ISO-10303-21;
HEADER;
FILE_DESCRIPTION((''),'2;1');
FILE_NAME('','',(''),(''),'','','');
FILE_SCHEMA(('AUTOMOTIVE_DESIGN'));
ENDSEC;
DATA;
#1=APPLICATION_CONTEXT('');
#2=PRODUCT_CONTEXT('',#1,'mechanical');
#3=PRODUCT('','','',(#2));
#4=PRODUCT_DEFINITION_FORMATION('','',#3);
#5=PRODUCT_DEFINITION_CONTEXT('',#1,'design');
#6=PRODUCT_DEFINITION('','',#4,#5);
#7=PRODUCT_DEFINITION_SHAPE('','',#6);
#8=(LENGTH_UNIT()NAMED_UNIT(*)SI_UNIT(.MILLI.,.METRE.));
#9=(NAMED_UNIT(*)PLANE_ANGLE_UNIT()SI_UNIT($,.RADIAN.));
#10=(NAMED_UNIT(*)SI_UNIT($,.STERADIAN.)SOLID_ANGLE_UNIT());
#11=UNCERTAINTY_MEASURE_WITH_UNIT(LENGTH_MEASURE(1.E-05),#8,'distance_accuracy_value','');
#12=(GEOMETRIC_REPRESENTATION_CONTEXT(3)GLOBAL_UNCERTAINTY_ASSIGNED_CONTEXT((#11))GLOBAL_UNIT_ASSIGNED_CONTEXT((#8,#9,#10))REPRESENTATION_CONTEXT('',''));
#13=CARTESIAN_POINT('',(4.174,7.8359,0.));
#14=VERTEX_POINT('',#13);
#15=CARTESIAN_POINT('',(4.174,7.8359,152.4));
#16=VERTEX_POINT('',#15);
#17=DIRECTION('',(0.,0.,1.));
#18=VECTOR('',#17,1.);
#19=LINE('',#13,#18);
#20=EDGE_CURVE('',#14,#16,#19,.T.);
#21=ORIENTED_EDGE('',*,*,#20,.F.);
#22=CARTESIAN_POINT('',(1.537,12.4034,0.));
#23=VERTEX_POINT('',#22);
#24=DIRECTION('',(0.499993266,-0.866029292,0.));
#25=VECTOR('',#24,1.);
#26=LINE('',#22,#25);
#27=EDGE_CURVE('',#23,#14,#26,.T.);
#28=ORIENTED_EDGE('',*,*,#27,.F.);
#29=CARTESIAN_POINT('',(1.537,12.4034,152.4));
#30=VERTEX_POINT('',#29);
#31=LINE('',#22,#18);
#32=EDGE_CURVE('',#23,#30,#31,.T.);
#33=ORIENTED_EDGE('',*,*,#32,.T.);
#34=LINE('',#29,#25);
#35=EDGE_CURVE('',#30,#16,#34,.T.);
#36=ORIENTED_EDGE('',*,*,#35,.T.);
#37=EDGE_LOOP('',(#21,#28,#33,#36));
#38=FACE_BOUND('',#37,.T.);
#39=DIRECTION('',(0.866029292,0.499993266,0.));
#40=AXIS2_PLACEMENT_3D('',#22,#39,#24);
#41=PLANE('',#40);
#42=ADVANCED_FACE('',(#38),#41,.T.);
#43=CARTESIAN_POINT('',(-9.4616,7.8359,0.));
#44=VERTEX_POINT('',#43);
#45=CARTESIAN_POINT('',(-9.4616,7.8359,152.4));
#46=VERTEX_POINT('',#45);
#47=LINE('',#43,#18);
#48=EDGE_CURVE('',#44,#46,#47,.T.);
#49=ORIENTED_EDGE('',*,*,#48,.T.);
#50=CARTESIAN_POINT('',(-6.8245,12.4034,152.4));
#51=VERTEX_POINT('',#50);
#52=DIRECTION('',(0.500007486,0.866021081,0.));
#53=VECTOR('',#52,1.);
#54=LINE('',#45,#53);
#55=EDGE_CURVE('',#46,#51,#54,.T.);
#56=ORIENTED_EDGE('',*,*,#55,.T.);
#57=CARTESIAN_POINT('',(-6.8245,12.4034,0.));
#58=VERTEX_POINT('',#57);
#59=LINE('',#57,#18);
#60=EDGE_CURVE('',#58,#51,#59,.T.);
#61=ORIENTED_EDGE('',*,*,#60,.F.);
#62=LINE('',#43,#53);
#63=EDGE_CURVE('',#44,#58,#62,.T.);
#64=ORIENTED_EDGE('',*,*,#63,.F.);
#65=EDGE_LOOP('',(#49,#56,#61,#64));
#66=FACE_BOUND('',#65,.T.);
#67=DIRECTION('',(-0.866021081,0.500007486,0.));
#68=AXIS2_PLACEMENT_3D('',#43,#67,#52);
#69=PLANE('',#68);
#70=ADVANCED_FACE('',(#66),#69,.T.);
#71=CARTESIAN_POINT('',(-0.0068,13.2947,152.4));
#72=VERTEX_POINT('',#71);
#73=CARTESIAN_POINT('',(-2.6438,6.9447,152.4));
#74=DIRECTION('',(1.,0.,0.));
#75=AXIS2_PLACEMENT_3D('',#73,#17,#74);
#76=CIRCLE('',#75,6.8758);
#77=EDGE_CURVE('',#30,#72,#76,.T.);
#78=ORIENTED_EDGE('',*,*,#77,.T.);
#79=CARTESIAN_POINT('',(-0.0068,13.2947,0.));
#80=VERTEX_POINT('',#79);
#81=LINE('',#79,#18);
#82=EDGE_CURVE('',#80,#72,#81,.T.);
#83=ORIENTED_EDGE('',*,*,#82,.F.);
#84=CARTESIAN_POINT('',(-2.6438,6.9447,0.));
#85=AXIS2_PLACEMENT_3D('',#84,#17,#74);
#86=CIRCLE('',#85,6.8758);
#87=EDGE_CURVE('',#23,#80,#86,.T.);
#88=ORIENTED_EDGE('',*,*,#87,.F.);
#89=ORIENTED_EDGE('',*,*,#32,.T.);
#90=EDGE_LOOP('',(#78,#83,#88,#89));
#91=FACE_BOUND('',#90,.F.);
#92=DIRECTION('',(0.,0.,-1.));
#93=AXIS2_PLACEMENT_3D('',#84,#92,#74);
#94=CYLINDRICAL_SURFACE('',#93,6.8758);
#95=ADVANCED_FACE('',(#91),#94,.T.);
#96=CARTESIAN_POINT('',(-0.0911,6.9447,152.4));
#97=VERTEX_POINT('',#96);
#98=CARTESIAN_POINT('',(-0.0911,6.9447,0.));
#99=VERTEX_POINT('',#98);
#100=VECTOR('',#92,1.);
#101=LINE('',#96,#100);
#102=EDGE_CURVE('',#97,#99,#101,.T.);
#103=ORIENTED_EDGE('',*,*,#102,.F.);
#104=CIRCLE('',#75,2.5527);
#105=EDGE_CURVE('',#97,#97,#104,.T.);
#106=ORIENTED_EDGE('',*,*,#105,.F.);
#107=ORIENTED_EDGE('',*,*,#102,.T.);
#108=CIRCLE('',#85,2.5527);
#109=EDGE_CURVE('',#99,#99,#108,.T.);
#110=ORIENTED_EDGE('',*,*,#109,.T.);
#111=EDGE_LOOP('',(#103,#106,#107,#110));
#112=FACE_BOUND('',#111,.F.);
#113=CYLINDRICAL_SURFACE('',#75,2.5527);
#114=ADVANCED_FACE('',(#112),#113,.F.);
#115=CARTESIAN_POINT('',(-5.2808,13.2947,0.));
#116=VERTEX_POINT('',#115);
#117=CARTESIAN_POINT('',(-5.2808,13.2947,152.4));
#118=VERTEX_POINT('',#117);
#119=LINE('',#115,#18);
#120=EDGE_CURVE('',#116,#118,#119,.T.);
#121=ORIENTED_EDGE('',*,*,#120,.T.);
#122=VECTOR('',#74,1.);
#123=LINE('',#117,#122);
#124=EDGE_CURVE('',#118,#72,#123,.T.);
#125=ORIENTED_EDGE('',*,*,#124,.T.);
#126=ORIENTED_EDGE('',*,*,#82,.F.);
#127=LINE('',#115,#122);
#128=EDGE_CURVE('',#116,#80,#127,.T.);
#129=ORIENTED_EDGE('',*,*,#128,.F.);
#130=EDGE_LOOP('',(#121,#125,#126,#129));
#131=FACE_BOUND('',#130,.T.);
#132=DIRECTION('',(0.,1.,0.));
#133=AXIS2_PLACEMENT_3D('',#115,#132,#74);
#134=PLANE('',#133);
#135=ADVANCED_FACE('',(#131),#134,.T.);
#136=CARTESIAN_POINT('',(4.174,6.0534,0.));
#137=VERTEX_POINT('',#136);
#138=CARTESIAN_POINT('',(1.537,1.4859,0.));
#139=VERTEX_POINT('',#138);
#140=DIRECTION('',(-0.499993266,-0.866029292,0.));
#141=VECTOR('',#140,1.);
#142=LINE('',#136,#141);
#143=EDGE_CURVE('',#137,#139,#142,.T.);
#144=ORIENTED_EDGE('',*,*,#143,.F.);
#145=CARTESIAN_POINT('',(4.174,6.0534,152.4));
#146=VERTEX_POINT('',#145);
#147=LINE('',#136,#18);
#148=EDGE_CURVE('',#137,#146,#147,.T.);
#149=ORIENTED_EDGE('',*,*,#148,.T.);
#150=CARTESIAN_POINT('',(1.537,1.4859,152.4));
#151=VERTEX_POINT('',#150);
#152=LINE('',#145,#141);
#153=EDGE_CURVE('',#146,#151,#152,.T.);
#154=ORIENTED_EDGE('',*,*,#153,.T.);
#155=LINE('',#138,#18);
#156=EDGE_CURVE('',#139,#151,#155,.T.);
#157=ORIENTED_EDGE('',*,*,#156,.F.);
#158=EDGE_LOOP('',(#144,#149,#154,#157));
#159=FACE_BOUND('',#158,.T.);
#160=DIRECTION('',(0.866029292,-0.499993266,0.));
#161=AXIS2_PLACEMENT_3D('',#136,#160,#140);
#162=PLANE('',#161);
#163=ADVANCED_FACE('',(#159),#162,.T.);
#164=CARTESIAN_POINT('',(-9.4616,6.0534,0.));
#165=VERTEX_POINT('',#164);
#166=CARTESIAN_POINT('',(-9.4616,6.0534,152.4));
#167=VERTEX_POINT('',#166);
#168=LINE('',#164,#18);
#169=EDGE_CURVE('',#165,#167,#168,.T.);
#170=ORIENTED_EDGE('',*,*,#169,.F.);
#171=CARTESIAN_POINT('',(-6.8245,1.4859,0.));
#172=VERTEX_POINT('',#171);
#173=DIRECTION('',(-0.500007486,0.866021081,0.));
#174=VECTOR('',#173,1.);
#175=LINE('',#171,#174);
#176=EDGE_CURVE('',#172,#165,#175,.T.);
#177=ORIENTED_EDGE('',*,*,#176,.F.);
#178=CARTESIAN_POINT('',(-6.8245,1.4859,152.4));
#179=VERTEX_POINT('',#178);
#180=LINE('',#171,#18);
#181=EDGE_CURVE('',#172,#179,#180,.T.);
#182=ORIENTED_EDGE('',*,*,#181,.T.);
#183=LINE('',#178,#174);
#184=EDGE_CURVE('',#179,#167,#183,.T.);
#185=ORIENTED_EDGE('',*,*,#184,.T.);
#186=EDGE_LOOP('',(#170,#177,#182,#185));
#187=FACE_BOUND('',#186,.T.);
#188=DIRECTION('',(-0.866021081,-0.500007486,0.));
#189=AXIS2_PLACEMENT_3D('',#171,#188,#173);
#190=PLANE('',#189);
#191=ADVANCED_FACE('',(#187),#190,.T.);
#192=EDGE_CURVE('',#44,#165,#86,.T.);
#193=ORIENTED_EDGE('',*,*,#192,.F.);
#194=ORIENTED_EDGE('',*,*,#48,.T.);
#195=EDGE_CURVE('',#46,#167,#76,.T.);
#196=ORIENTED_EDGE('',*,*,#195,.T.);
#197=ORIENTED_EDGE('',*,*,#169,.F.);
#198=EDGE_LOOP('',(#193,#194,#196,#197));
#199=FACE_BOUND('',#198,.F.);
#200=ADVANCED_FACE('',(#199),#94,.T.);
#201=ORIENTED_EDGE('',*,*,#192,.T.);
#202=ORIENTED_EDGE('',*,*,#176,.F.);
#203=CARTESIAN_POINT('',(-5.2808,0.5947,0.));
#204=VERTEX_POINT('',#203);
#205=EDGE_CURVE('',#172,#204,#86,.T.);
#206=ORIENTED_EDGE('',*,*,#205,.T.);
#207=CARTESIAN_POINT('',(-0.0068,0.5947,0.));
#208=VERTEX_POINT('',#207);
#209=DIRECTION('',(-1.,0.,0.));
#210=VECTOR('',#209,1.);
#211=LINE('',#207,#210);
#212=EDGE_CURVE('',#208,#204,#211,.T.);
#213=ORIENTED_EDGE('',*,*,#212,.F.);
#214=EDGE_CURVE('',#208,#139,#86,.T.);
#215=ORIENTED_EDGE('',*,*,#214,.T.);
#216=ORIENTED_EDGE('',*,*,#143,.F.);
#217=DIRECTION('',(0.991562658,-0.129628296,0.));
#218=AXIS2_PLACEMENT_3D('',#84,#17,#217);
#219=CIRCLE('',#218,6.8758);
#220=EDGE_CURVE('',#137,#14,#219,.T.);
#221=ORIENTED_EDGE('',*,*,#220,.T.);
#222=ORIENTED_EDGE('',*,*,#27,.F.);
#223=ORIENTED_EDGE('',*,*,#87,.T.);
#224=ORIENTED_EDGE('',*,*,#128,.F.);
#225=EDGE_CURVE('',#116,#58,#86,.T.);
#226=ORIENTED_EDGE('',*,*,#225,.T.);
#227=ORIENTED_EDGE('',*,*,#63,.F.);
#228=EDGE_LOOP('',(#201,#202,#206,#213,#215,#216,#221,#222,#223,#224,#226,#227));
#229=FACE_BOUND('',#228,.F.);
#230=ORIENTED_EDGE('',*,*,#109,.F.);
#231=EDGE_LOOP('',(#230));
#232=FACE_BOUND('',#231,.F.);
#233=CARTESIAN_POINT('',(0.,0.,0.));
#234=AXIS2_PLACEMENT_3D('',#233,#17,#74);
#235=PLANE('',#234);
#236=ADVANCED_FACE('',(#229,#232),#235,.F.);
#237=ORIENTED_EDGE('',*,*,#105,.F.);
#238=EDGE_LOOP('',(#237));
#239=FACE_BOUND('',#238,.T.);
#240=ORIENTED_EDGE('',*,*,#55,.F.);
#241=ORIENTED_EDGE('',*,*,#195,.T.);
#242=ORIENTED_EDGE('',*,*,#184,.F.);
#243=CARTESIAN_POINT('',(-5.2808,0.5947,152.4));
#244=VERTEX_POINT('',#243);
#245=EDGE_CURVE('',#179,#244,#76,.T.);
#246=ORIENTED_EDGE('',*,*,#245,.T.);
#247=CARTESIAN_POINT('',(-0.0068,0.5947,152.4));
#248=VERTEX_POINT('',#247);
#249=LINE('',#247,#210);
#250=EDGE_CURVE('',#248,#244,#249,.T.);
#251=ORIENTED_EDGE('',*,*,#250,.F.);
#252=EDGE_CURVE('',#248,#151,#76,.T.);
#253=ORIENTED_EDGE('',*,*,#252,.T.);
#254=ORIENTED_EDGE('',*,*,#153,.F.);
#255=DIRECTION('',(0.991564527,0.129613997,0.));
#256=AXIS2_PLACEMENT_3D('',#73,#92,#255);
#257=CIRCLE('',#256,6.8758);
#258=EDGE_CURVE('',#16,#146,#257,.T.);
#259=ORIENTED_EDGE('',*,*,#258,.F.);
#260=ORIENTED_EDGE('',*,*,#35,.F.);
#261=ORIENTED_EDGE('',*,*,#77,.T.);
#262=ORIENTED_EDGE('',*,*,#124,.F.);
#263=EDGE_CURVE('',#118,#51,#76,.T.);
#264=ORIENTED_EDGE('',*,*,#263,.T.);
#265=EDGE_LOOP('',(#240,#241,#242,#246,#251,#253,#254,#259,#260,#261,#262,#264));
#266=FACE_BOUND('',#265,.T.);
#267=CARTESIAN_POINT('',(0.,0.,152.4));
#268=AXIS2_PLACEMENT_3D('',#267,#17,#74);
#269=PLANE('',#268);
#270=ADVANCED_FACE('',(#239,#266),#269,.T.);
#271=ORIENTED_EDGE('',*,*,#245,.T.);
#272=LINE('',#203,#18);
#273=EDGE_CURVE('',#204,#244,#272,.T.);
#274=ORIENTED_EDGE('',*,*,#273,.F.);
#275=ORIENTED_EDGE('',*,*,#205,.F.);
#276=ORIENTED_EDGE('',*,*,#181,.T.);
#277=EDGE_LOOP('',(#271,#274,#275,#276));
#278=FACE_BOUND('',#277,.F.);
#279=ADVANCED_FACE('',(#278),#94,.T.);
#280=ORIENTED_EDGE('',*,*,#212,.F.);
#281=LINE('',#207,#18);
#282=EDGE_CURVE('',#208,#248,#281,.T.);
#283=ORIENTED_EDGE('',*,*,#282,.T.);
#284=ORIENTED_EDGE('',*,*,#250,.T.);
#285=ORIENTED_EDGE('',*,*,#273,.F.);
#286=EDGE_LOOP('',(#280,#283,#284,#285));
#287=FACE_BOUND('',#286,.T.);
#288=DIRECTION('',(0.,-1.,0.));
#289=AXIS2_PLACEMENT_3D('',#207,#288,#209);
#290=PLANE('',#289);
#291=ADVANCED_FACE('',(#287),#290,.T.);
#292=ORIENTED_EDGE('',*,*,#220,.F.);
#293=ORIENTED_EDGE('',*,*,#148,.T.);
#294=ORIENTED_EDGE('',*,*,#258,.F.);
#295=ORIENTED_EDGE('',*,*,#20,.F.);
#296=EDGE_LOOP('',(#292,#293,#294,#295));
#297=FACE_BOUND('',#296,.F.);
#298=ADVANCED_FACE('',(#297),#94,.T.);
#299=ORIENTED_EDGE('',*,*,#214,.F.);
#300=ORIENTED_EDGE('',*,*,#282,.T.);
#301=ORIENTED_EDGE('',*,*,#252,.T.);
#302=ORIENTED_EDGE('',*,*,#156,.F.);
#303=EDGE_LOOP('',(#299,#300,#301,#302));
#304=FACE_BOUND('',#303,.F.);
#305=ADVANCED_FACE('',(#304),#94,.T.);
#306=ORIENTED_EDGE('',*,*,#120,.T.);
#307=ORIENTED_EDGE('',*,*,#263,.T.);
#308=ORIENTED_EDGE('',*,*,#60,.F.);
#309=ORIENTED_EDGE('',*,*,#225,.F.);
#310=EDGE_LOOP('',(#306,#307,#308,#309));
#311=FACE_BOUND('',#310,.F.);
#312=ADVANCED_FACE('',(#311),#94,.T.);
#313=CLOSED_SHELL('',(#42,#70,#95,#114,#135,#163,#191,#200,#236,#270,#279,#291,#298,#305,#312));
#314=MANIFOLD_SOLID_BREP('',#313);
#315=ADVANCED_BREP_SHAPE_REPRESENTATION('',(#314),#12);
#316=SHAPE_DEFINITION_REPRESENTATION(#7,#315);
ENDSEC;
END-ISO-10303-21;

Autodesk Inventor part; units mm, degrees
ref_plane "YZ Plane" through (0, 0, 0) normal (1, 0, 0) x (0, 1, 0)
ref_plane "XZ Plane" through (0, 0, 0) normal (0, 1, 0) x (-1, 0, 0)
ref_plane "XY Plane" through (0, 0, 0) normal (0, 0, 1) x (1, 0, 0)
sketch "Sketch1" plane through (0, 0, 0) normal (0, 0, 1) x (1, 0, 0)
  circle A0 centre (-2.6438, 6.9447) radius 6.8758
  line L0 (-9.4616, 7.8359) -> (-6.8245, 12.4034)
  line L1 (-6.8245, 1.4859) -> (-9.4616, 6.0534)
  line L2 (-0.0068, 0.5947) -> (-5.2808, 0.5947)
  line L3 (4.174, 6.0534) -> (1.537, 1.4859)
  line L4 (1.537, 12.4034) -> (4.174, 7.8359)
  line L5 (-5.2808, 13.2947) -> (-0.0068, 13.2947)
  point P0 (0, 0)
  point P1 (1.537, 1.4859)
  dimension "d0" = 13.7516
  dimension "d4" = 360
extrude "Extrusion1" add sketch "Sketch1" along normal blind 152.4 contours A0 L3 L2 L1 L0 L5 L4
sketch "Sketch2" plane through (0, 0, 152.4) normal (0, 0, 1) x (1, 0, 0)
  circle A0 centre (-2.6438, 6.9447) radius 2.5527
  line L0 (-5.2808, 0.5947) -> (-0.0068, 0.5947) projected
  line L1 (-2.6438, 6.9447) -> (-5.2808, 0.5947) construction
  line L2 (-2.6438, 6.9447) -> (-0.0068, 0.5947) construction
  point P0 (0, 0)
  dimension "d8" = 5.1054
  dimension "d9" = 6.35
extrude "Extrusion2" cut sketch "Sketch2" against normal blind 152.4
equation "\"d6\" = d5"
equation "\"d10\" = d5"
equation "\"d5\" = 152.4"
properties part number "indexThundershaft" material "Aluminum 6061"
